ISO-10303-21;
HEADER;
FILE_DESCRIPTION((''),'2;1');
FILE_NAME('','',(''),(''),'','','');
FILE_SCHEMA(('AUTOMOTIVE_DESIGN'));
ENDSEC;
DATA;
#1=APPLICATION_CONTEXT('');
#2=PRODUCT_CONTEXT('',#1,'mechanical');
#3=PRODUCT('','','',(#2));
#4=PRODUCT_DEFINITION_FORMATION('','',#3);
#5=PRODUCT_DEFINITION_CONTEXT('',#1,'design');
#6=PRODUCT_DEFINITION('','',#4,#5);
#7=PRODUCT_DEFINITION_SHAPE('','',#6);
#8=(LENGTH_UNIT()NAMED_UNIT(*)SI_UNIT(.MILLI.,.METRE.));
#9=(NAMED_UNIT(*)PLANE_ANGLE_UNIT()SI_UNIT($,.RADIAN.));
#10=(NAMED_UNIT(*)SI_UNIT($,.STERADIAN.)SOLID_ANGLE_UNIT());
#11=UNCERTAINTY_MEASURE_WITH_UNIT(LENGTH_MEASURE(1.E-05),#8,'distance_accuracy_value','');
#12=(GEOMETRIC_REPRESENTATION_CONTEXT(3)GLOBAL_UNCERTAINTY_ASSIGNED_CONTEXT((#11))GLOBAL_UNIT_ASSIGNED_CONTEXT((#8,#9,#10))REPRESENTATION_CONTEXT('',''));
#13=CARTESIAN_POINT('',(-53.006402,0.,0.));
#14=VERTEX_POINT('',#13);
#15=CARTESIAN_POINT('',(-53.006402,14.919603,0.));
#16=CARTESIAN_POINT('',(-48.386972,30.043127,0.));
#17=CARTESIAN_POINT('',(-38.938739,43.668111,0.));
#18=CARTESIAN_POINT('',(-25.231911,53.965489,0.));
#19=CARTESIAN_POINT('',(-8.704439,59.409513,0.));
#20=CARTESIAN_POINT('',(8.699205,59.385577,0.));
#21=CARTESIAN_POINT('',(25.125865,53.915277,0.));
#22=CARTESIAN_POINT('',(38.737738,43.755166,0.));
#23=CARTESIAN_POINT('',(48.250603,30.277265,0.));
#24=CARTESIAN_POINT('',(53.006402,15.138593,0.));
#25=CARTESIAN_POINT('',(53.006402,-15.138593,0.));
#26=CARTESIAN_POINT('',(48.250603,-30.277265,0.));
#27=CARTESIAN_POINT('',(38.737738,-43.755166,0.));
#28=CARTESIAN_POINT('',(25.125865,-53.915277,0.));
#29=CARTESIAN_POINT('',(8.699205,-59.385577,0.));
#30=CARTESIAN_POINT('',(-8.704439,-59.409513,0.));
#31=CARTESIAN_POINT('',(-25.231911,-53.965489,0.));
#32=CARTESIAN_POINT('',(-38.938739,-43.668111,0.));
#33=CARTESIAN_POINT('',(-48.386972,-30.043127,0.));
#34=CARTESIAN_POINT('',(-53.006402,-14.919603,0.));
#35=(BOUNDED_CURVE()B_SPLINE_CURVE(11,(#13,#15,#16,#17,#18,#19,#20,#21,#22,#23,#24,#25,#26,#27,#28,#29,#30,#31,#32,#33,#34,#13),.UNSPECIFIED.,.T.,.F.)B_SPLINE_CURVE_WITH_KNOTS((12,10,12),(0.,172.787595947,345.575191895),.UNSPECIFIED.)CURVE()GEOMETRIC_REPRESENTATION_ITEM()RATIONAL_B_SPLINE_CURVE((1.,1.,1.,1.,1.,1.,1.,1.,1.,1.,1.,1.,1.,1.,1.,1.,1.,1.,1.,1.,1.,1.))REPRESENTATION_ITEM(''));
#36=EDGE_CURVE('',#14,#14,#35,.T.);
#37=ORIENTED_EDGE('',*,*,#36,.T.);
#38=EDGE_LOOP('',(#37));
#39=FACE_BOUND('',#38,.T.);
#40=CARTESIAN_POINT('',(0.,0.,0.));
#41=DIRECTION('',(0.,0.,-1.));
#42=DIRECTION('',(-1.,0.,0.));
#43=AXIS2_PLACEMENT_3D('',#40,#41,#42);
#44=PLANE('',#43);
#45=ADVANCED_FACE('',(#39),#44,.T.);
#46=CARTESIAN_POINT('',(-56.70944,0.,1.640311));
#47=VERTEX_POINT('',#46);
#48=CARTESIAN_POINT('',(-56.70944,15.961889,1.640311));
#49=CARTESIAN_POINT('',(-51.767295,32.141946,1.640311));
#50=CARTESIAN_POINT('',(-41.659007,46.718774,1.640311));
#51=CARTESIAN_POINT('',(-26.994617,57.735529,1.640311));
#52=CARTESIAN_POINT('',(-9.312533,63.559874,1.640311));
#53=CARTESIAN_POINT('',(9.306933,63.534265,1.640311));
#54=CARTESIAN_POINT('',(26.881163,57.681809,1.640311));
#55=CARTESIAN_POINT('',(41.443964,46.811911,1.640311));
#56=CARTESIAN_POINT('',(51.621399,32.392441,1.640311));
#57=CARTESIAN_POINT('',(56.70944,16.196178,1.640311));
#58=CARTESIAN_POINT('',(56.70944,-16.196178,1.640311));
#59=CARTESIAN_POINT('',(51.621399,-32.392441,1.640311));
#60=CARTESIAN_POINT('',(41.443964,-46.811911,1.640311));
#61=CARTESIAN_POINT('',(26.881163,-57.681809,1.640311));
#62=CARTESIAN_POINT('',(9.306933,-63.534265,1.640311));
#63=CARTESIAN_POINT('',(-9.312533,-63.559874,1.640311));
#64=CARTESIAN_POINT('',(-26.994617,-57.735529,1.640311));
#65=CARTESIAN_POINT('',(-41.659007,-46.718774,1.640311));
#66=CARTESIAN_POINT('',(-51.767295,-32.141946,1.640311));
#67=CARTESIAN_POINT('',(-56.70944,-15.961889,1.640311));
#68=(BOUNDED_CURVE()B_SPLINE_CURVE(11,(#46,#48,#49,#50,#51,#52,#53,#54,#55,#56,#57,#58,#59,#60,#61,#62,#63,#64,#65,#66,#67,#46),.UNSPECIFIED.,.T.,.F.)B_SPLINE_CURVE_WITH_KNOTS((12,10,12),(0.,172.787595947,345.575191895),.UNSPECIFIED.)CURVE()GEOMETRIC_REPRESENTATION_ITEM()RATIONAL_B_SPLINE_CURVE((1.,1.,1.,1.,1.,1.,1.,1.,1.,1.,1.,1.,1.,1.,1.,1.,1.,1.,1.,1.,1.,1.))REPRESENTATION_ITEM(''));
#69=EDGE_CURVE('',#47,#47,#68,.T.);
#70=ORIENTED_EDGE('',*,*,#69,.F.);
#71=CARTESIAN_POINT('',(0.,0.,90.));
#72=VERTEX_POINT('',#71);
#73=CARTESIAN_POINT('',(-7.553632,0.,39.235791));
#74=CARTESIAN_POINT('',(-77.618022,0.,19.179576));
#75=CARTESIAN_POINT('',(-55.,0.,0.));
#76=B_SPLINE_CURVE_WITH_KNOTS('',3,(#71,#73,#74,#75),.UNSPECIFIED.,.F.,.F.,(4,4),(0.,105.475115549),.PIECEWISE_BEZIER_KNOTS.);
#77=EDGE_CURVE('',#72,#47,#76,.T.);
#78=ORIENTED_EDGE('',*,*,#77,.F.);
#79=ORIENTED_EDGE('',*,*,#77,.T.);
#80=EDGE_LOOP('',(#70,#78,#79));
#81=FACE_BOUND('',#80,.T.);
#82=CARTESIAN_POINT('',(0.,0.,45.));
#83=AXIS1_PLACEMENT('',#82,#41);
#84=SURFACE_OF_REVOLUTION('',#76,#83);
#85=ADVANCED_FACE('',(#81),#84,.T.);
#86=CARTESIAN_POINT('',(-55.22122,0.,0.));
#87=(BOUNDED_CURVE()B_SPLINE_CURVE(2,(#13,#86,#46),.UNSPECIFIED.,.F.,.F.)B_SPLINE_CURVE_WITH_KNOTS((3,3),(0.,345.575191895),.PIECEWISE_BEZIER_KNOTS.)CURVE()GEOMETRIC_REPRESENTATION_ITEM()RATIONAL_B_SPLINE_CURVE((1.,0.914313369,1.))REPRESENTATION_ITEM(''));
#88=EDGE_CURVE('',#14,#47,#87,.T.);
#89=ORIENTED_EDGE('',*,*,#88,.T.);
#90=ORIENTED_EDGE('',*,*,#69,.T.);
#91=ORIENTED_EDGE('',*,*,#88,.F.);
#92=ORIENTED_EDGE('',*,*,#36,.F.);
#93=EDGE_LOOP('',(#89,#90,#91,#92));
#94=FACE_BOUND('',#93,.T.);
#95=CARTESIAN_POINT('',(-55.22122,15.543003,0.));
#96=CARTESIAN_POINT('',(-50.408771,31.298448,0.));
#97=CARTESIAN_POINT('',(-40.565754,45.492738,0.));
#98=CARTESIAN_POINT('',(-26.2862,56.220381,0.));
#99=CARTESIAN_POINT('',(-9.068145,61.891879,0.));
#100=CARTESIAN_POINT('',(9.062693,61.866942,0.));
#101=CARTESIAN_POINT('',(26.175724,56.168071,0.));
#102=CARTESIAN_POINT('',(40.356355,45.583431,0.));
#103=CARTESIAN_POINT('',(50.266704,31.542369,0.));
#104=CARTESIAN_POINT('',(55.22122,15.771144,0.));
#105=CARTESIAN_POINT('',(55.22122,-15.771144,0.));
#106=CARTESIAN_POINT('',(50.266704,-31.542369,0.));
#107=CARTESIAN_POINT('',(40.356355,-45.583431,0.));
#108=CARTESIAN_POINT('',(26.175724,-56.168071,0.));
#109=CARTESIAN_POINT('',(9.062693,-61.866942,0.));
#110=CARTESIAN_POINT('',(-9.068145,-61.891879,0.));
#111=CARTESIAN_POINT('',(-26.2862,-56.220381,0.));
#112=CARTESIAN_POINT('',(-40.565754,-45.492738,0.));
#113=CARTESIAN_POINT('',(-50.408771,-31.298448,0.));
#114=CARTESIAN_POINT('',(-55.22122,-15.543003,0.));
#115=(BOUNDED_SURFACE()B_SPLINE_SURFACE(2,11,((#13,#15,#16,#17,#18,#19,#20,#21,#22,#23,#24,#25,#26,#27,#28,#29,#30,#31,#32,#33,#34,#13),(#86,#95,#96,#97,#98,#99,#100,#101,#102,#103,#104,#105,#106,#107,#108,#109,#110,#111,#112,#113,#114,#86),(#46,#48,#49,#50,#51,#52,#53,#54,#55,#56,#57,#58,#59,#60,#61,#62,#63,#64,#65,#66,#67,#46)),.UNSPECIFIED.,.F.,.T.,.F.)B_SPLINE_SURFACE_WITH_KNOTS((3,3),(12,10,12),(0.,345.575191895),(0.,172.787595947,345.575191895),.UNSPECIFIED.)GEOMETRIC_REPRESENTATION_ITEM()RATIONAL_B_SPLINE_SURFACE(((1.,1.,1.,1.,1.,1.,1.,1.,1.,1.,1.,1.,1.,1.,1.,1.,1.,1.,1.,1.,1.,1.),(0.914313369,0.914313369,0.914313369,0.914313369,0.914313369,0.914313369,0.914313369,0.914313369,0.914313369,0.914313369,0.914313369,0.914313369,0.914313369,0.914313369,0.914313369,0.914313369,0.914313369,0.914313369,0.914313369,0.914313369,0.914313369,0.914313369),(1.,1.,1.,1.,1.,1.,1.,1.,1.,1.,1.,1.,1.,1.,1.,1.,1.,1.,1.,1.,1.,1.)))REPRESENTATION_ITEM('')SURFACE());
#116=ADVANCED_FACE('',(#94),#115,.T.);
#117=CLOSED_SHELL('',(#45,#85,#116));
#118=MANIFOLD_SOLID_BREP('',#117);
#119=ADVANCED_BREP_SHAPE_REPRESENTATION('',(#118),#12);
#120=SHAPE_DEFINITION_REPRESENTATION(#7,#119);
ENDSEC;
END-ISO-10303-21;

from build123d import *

# Parameters (mm, degrees)
F2_R = 5


with BuildPart() as f1:
    # F0 (on Front) → F1 (revolve)
    with BuildSketch(Plane.XZ):
        with BuildLine():
            Line((-55, 0), (0, 0))
            Line((0, 0), (0, 90))
            add(Edge.make_bspline(
                [(0, 90), (-7.5536321915, 39.2357906064), (-77.6180223598, 19.179575929), (-55, 0)],
                knots=[0, 0, 0, 0, 105.4751155486, 105.4751155486, 105.4751155486, 105.4751155486], degree=3))
        make_face()
    revolve(axis=Axis((0, 0, 45), (0, 0, -1)))

    # F2
    f2_edges = [f1.edges().sort_by_distance(p)[0] for p in [
        (55, 0, 0),
    ]]
    fillet(f2_edges, radius=F2_R)


solid = f1.part
